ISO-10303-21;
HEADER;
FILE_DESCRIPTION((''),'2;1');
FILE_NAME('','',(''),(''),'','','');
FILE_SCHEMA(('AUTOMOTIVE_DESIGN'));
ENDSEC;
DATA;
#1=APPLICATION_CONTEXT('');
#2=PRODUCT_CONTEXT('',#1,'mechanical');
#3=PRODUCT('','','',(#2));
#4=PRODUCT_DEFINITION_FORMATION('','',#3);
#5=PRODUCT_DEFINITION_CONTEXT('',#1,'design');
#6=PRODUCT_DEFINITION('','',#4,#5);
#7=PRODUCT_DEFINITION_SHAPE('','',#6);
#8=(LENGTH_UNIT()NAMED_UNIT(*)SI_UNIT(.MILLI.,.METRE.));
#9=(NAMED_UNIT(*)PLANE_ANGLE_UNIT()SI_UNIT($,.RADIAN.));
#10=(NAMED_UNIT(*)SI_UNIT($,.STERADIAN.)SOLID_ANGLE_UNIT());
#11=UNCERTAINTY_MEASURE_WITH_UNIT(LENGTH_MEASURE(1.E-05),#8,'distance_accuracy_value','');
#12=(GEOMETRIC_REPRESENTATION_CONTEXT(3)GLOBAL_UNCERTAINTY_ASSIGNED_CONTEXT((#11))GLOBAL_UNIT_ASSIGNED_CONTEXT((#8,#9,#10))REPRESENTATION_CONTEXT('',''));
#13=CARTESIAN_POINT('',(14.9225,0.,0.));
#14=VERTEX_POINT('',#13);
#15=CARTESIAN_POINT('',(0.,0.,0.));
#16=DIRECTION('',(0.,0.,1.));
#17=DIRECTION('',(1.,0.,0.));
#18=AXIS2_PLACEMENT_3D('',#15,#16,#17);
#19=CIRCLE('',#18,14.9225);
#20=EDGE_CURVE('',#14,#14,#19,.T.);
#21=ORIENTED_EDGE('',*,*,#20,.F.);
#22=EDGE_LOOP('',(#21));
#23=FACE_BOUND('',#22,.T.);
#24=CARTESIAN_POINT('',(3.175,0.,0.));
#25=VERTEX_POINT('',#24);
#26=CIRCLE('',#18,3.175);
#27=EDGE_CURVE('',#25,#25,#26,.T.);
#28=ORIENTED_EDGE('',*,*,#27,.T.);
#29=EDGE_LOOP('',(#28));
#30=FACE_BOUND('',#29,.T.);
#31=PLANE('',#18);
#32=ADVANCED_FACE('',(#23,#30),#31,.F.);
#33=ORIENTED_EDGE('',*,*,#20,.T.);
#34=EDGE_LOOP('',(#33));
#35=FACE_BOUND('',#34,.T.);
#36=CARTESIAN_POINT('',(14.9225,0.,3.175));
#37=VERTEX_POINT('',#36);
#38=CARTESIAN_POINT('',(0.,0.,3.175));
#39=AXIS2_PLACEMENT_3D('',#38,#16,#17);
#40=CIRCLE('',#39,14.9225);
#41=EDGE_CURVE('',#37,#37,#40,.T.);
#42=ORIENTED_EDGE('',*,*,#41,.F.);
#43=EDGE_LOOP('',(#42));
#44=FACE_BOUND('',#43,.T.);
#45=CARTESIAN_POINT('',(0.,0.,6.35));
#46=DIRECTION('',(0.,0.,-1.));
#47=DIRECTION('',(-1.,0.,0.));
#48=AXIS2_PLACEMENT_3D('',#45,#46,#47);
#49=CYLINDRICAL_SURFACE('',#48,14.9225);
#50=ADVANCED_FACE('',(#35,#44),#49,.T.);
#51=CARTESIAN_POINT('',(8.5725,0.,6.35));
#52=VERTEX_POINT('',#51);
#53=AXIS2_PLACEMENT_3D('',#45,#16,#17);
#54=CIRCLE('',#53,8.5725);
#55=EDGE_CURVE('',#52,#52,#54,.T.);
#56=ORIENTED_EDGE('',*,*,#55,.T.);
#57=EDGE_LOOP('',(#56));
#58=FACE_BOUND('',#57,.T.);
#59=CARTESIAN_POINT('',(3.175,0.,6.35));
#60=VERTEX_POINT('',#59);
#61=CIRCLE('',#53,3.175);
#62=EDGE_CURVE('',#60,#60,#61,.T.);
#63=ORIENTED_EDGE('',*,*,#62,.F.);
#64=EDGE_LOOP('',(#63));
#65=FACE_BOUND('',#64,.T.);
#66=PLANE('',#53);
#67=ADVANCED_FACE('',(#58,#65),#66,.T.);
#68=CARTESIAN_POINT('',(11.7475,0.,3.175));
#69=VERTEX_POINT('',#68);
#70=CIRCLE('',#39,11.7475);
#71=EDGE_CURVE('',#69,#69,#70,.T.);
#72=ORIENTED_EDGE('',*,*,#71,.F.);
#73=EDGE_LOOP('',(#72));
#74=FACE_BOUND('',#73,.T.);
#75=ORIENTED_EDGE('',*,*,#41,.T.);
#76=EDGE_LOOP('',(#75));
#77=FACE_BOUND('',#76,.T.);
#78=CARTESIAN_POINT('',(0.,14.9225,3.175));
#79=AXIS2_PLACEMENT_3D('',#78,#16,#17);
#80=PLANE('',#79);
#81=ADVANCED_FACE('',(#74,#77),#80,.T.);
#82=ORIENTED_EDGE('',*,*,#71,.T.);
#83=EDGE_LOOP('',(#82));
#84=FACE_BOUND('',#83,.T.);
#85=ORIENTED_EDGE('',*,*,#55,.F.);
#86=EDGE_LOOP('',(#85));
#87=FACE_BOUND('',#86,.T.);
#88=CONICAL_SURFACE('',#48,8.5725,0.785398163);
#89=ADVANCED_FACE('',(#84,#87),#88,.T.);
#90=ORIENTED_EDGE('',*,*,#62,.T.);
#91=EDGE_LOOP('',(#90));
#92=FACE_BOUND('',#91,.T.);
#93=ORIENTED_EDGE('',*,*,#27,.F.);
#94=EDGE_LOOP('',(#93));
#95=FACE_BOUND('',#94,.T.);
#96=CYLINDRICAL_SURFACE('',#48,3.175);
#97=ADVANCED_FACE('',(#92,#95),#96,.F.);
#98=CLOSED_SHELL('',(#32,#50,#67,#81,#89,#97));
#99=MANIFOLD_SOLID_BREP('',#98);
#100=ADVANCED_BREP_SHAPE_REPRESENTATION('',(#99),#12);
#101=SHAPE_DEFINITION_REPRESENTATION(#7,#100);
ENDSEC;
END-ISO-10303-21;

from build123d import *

# Parameters (mm, degrees)
SKETCH1_R           = 14.9225
SKETCH1_R_2         = 3.175
BOSS_EXTRUDE1_DEPTH = 6.35


with BuildPart() as part:
    # Sketch1 → Boss-Extrude1 (new body)
    with BuildSketch(Plane.XY):
        Circle(SKETCH1_R)
        Circle(SKETCH1_R_2, mode=Mode.SUBTRACT)
    extrude(amount=BOSS_EXTRUDE1_DEPTH)

    # Sketch2 → Cut-Revolve1 (revolve, cut)
    with BuildSketch(Plane(origin=(0, 0, 0), x_dir=(0, 0, -1), z_dir=(1, 0, 0)), mode=Mode.PRIVATE) as cut_revolve1_sk:
        Polygon((-6.35, 14.9225), (-3.175, 14.9225), (-3.175, 11.7475), (-6.35, 8.5725), align=None)
    revolve(cut_revolve1_sk.sketch.rotate(Axis((0, 0, 6.35), (0, 0, -1)), 90), axis=Axis((0, 0, 6.35), (0, 0, -1)), mode=Mode.SUBTRACT)


solid = part.part
